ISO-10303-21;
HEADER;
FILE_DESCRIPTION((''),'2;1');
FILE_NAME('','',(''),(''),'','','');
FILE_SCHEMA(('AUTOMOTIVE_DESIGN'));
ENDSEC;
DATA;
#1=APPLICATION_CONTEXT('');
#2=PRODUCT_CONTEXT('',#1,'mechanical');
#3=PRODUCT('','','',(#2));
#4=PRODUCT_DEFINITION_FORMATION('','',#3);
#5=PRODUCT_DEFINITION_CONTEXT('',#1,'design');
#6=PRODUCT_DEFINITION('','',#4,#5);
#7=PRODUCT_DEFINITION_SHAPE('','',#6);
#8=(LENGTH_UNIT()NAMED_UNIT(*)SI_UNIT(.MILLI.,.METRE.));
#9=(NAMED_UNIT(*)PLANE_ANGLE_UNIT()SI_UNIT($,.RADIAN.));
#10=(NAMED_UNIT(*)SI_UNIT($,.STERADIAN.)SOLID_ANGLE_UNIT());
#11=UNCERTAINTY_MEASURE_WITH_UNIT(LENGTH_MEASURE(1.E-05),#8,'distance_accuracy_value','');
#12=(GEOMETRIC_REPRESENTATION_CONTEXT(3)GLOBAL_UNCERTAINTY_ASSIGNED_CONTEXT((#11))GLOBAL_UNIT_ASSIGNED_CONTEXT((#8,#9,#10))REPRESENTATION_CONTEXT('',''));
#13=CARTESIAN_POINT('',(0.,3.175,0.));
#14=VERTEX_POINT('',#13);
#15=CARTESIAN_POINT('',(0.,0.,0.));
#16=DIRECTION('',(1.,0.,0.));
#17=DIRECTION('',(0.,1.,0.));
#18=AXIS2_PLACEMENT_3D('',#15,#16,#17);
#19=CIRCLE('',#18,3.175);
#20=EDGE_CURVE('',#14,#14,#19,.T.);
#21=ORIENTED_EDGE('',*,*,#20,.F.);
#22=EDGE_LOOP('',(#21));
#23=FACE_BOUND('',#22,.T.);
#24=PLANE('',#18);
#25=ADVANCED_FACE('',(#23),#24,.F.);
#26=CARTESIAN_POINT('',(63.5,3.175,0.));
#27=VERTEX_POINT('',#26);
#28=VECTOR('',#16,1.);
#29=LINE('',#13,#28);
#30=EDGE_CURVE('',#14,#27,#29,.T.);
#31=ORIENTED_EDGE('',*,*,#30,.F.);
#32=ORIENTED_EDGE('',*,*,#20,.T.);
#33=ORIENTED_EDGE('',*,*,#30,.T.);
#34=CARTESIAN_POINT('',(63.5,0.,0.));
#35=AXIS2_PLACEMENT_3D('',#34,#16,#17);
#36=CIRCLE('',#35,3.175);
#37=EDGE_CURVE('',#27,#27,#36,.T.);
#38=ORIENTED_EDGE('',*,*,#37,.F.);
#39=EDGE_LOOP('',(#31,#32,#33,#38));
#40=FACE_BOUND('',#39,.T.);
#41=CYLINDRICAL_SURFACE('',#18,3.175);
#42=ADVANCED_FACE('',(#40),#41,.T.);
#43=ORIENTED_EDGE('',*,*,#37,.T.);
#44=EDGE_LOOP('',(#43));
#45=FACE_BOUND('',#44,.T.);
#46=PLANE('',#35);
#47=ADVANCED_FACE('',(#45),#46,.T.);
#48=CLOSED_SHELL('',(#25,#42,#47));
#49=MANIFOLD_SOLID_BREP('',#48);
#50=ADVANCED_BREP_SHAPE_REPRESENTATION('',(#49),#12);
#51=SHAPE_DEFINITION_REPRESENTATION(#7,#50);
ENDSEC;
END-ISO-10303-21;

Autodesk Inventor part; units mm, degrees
ref_plane "Start Plane" through (0, 0, 0) normal (1, 0, 0) x (0, 1, 0)
ref_plane "XZ Plane" through (0, 0, 0) normal (0, 1, 0) x (-1, 0, 0)
ref_plane "XY Plane" through (0, 0, 0) normal (0, 0, 1) x (1, 0, 0)
sketch "Main Sketch" plane through (0, 0, 0) normal (0, 0, 1) x (1, 0, 0)
  line L0 (0, 0) -> (63.5, 0)
  line L1 (0, 0) -> (0, 3.175)
  line L2 (63.5, 3.175) -> (63.5, 0)
  line L3 (0, 3.175) -> (63.5, 3.175)
  dimension "d3" = 6.35
revolve "Revolution1" add sketch "Main Sketch" angle 360 about axis through (0, 0, 0) along (1, 0, 0)
equation "\"Length\" = 63.5"
properties part number "Shaft" material "Steel"
